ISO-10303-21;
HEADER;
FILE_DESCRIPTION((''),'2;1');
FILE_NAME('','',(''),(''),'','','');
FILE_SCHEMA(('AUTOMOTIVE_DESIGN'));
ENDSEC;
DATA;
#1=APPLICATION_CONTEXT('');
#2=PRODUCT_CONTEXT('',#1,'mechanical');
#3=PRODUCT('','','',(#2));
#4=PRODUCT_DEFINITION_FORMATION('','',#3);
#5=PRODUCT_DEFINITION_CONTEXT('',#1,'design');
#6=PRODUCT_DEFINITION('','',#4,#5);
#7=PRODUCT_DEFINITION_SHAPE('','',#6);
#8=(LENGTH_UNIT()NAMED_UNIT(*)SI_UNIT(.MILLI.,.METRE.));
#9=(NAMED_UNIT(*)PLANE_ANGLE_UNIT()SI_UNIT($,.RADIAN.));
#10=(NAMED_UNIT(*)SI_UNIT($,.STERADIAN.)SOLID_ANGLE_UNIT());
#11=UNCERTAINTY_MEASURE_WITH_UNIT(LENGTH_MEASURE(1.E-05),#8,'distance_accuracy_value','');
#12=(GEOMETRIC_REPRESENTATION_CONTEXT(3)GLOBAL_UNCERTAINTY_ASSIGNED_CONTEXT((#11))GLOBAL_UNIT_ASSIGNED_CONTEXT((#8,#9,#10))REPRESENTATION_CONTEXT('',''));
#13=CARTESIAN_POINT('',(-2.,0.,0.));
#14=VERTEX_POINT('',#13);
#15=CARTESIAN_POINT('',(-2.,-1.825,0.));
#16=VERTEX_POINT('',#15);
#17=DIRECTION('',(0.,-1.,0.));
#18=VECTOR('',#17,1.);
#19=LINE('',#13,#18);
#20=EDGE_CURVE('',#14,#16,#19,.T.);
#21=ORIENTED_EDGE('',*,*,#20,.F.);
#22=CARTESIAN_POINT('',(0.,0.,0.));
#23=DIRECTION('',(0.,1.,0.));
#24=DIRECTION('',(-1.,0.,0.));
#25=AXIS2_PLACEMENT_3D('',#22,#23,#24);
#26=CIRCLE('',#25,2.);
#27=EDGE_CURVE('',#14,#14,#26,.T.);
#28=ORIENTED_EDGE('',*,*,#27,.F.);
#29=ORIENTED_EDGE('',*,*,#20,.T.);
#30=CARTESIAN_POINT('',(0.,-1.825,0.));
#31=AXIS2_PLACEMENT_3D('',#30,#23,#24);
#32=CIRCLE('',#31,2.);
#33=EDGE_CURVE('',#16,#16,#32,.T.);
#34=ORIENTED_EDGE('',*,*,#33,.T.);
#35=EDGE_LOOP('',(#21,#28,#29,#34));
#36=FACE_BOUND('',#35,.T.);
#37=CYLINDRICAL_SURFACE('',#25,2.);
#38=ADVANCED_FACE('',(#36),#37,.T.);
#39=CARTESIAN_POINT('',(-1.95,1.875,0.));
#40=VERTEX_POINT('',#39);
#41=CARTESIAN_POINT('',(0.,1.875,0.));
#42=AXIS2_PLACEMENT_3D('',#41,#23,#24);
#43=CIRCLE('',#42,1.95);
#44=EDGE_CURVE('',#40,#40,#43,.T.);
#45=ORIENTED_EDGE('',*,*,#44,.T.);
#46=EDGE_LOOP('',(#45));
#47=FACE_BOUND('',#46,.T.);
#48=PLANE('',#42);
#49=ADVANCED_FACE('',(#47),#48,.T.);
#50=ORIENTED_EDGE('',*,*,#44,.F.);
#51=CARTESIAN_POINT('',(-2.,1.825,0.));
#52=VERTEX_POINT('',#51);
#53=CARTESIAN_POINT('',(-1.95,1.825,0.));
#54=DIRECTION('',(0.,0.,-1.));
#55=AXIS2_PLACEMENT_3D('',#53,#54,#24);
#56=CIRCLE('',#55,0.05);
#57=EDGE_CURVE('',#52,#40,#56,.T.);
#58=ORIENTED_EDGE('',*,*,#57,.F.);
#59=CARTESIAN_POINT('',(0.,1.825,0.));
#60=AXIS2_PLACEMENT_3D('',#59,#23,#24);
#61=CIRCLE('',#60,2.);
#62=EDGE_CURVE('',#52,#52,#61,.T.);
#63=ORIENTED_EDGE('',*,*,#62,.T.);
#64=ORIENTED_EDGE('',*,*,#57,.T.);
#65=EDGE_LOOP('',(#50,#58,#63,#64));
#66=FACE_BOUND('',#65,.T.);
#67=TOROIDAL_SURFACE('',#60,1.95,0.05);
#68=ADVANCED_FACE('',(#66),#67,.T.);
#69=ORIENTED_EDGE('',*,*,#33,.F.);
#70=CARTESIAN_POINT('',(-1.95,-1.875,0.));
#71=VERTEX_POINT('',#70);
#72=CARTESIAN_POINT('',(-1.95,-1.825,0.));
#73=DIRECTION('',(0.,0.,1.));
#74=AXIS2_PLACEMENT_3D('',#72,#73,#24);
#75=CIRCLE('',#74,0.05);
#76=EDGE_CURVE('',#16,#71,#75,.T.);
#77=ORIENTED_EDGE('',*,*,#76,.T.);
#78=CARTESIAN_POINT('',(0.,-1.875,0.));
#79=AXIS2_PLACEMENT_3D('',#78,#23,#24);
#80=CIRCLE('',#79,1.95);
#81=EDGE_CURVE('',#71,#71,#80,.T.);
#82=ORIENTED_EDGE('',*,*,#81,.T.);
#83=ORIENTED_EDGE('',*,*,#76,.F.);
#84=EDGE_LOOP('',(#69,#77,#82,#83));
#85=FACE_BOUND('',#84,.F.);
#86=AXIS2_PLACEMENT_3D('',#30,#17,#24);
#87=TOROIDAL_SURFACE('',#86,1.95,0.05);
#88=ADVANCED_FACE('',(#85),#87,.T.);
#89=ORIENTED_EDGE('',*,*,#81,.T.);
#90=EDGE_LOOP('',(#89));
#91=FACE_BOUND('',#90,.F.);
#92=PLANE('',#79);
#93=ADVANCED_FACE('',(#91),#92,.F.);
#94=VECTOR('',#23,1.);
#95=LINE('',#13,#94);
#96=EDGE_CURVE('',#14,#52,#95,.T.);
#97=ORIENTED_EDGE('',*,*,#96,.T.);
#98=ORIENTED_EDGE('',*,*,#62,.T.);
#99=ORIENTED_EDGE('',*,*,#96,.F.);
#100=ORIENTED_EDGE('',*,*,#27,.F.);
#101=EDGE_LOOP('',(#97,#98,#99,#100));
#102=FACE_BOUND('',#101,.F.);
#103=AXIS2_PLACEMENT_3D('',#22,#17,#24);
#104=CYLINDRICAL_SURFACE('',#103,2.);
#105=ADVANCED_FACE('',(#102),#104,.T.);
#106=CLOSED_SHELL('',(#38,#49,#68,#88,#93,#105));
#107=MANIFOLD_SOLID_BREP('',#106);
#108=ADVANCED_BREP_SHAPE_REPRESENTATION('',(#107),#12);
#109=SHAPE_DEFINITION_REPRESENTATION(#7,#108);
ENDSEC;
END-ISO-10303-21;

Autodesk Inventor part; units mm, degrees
ref_plane "YZ Plane" through (0, 0, 0) normal (1, 0, 0) x (0, 1, 0)
ref_plane "XZ Plane" through (0, 0, 0) normal (0, 1, 0) x (-1, 0, 0)
ref_plane "XY Plane" through (0, 0, 0) normal (0, 0, 1) x (1, 0, 0)
sketch "Sketch1" plane through (0, 0, 0) normal (0, 1, 0) x (-1, 0, 0)
  circle A0 centre (0, 0) radius 2
  dimension "d0" = 4
extrude "Extrusion1" add sketch "Sketch1" along normal mid plane 3.75
fillet "Fillet1" radius 0.05 2 edges at (2, 1.875, 0) (2, -1.875, 0)
properties part number "ROLLER_CR_BEARING,REV-ENG" material "Steel, O1, HT 58-60 Rc"
